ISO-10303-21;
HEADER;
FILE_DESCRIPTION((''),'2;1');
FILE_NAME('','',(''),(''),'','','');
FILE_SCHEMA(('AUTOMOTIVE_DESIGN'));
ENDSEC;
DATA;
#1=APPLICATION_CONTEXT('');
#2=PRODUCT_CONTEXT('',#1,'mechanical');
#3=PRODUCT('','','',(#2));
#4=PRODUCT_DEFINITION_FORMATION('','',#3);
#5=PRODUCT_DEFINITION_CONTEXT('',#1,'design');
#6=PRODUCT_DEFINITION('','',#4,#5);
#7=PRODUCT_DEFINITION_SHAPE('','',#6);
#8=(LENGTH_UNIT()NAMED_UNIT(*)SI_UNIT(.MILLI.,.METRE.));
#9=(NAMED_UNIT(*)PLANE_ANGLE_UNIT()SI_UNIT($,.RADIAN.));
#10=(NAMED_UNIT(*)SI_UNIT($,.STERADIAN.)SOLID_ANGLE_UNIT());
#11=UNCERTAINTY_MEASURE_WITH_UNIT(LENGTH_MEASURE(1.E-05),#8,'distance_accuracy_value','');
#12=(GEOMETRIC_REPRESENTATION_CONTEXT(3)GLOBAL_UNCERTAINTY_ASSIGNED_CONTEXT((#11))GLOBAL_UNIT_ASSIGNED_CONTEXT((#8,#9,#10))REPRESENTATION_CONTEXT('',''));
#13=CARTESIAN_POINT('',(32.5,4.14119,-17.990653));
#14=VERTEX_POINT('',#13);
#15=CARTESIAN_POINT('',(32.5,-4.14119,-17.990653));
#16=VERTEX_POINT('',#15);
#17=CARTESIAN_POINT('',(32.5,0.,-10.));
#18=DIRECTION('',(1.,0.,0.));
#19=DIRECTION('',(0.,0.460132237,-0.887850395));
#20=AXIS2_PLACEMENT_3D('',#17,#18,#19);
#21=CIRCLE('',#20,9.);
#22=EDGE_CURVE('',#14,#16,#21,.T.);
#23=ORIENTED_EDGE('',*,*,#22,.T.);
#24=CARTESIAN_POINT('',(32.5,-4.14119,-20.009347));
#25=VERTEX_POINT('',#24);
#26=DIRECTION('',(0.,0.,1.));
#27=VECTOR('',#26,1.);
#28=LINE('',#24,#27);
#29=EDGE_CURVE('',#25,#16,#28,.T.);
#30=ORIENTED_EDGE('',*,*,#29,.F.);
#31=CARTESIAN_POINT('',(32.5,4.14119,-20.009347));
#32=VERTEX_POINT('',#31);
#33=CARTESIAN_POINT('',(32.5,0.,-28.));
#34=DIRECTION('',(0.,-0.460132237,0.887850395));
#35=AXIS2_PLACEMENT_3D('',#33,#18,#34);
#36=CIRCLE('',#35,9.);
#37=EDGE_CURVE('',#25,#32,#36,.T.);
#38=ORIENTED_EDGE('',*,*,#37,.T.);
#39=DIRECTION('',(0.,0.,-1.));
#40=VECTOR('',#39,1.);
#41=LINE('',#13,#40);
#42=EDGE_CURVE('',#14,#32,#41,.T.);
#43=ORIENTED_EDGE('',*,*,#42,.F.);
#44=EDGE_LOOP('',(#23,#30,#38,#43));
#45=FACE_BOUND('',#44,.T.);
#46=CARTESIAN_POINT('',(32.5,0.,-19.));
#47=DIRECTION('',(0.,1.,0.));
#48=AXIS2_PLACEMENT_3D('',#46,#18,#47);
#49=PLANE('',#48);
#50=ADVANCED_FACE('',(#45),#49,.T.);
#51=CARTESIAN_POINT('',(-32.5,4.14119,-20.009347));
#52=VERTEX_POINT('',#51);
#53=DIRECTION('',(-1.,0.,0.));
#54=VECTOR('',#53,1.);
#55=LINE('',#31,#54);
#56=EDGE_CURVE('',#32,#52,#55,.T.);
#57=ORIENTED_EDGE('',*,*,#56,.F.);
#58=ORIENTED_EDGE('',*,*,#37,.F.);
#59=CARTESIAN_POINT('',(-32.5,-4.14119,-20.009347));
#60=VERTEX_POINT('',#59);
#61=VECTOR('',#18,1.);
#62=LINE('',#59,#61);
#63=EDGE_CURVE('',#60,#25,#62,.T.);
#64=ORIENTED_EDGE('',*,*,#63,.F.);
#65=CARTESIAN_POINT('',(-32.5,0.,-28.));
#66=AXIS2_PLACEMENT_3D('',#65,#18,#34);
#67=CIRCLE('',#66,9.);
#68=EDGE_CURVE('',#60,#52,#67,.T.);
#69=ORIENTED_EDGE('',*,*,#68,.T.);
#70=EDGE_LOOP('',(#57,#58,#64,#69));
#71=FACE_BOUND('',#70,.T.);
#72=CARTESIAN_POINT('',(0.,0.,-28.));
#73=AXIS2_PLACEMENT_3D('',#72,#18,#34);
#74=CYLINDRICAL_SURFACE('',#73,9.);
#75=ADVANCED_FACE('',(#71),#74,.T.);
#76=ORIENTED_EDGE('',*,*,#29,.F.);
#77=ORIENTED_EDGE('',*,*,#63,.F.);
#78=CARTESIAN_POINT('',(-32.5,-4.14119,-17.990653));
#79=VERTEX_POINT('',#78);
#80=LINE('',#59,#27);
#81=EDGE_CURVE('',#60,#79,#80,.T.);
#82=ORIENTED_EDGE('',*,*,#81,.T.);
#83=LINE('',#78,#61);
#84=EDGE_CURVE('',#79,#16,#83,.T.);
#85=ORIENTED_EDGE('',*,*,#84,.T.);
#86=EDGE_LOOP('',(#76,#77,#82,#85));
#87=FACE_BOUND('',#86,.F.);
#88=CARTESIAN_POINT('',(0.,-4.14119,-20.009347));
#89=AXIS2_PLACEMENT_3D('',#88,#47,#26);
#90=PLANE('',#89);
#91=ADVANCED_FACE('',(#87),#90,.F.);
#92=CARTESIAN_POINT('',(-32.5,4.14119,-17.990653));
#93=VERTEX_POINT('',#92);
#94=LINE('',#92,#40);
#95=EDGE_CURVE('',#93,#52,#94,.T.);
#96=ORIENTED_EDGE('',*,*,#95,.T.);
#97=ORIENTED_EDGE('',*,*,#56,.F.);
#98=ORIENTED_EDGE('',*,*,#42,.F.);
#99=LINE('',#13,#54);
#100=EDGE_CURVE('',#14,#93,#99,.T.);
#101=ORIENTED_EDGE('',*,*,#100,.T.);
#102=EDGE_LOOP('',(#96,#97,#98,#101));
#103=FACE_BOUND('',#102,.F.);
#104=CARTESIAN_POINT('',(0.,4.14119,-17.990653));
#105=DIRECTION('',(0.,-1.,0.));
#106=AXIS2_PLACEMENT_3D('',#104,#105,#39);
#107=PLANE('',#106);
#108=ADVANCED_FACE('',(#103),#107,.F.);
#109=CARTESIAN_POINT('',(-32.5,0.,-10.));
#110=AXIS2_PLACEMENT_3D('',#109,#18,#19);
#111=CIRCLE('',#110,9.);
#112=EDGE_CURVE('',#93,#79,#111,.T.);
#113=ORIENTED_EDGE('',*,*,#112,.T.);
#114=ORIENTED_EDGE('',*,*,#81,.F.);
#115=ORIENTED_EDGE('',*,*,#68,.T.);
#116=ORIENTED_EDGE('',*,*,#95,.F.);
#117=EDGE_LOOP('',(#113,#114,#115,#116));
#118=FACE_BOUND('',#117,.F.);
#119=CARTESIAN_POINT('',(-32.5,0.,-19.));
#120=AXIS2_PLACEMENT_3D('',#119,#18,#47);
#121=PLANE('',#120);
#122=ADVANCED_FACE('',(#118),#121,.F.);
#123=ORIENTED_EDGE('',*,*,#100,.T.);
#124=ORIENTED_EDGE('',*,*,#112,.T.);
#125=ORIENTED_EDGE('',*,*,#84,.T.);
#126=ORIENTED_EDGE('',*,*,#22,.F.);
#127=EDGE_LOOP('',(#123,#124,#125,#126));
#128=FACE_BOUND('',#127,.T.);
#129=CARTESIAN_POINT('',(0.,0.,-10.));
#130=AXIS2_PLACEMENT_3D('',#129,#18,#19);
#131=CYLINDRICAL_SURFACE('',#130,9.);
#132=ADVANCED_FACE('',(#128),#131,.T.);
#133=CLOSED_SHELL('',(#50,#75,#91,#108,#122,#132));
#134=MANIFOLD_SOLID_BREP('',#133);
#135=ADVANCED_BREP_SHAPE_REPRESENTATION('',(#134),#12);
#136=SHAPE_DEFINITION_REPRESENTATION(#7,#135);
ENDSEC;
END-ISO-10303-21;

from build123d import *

# Parameters (mm, degrees)
PAD_DEPTH = 32.5


with BuildPart() as part:
    # Sketch → Pad (new body, symmetric)
    with BuildSketch(Plane.YZ):
        with BuildLine():
            ThreePointArc((4.14119, -17.990653), (0, -1), (-4.14119, -17.990653))
            Line((-4.14119, -20.009347), (-4.14119, -17.990653))
            ThreePointArc((-4.14119, -20.009347), (0, -37), (4.14119, -20.009347))
            Line((4.14119, -17.990653), (4.14119, -20.009347))
        make_face()
    extrude(amount=PAD_DEPTH, both=True)


solid = part.part
